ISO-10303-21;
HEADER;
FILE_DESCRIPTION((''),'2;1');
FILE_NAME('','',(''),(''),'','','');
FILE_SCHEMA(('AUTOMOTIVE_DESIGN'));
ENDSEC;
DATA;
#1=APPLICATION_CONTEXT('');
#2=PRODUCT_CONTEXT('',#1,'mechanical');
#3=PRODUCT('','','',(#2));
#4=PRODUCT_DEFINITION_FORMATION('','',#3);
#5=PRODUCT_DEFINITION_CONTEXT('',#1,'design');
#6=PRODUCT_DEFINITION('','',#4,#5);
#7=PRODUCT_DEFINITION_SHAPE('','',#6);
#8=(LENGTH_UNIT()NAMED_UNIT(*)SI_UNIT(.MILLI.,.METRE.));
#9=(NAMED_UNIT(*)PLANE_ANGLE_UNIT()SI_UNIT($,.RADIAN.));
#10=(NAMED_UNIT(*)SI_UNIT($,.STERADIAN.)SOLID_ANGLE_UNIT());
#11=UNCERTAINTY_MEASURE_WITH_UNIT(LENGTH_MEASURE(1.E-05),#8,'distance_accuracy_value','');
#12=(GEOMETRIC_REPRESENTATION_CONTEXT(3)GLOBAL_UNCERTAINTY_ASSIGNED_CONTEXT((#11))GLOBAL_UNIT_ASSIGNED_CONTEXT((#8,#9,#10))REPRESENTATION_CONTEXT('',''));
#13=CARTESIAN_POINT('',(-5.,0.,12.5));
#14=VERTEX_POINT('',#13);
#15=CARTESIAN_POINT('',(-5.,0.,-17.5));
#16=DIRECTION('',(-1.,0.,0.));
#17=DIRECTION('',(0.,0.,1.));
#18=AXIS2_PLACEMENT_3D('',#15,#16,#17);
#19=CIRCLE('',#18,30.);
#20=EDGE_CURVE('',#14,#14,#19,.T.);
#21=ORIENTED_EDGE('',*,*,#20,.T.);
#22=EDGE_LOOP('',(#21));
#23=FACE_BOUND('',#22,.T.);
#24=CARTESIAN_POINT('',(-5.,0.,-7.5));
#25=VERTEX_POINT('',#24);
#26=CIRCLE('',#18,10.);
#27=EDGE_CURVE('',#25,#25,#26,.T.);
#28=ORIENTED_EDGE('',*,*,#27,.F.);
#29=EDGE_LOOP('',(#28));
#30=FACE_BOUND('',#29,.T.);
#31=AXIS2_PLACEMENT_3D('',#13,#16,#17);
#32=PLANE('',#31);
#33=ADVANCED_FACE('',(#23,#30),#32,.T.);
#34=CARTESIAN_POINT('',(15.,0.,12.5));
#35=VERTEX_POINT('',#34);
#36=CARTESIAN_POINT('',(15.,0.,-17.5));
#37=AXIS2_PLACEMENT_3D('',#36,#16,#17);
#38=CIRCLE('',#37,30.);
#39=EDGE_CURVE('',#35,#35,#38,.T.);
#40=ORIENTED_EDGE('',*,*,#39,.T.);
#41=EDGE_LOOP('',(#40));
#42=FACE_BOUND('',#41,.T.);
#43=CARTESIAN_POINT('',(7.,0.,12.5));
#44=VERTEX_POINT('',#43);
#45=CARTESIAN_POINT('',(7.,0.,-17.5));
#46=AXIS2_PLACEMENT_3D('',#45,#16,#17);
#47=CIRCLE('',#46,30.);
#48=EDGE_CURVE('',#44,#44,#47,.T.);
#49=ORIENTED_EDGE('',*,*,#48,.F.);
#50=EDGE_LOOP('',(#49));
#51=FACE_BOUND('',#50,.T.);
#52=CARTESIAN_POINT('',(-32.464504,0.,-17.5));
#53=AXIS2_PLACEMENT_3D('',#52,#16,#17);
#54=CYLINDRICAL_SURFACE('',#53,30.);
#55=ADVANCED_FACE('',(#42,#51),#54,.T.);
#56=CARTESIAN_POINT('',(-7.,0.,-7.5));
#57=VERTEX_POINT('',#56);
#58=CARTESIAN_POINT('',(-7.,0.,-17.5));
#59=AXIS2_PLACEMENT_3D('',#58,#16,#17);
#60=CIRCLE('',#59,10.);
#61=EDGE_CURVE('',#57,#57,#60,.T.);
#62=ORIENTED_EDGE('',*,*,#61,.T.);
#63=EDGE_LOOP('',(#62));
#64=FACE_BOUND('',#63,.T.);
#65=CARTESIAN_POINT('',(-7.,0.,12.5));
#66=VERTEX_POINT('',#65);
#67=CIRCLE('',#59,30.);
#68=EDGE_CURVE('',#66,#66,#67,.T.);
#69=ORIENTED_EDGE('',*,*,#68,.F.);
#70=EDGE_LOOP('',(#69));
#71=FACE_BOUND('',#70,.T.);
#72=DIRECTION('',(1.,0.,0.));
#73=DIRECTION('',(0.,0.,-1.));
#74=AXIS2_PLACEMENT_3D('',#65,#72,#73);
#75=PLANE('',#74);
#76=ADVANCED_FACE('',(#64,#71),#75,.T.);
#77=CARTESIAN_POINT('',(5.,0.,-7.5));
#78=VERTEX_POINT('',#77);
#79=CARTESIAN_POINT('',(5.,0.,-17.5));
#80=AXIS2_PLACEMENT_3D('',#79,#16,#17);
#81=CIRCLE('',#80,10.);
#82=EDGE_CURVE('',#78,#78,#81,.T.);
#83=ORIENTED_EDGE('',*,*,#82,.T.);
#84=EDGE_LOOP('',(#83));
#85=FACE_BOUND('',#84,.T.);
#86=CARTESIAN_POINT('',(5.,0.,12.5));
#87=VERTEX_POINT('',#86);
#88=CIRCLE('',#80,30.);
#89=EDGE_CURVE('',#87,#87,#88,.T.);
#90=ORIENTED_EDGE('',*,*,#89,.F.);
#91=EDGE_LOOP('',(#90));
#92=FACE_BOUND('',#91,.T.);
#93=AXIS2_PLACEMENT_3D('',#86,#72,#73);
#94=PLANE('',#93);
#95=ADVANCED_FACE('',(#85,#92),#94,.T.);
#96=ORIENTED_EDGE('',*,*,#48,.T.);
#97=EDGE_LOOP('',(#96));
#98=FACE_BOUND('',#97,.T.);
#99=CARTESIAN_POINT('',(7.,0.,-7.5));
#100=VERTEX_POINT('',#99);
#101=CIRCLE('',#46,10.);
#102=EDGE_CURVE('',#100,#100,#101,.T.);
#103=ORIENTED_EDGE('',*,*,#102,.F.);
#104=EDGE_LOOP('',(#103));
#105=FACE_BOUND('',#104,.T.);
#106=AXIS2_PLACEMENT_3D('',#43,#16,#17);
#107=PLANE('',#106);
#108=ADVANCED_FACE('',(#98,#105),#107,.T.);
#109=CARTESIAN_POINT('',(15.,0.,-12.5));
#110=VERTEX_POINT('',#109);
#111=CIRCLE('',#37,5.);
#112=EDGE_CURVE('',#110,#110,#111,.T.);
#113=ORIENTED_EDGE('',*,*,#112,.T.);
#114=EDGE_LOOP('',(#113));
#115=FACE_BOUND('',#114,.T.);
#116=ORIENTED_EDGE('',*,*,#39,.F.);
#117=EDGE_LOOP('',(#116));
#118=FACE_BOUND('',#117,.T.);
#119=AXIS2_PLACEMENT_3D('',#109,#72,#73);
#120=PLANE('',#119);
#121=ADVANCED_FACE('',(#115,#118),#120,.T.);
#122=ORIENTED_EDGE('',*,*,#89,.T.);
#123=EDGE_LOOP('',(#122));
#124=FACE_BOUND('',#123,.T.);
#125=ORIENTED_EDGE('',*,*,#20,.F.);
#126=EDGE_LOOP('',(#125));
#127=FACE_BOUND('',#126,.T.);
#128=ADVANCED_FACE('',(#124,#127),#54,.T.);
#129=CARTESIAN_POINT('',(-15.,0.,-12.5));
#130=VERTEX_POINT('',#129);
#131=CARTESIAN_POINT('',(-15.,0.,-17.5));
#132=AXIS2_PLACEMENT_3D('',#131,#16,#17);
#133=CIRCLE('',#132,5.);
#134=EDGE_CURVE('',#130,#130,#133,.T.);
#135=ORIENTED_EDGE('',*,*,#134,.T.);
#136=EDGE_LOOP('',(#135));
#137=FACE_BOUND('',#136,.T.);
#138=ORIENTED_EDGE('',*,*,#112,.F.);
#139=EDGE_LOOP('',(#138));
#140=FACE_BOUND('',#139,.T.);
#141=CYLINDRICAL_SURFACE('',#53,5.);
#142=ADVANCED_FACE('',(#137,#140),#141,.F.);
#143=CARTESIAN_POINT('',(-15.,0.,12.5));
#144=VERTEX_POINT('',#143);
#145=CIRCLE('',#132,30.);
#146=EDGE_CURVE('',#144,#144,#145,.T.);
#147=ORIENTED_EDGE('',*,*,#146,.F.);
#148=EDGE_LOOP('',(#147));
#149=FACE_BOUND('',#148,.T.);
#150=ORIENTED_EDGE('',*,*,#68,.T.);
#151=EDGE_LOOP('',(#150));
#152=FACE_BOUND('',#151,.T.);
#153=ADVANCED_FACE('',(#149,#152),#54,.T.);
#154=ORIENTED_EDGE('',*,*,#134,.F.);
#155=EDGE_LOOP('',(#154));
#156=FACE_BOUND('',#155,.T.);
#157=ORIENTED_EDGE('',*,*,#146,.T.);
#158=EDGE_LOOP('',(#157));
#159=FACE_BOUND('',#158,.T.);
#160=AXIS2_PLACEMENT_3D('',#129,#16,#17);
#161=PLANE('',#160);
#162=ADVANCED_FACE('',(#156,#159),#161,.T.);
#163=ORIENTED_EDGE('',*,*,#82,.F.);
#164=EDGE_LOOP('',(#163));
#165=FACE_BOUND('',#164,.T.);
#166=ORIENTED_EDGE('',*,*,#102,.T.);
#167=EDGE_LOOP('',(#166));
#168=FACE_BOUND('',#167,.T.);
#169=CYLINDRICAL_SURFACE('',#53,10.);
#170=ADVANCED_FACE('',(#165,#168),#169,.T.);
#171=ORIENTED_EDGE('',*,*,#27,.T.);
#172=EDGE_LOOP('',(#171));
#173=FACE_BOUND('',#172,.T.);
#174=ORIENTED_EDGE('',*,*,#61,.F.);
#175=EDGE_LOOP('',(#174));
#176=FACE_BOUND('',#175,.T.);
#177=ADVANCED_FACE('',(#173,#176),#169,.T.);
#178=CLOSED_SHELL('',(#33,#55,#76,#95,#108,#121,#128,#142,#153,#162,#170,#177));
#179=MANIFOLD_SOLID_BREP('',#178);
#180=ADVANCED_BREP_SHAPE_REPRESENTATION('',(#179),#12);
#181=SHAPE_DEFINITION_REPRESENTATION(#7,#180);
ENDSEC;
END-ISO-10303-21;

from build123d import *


with BuildPart() as part:
    # Sketch1 → Revolve1 (revolve)
    with BuildSketch(Plane(origin=(0, 0, 0), x_dir=(1, 0, 0), z_dir=(0, 1, 0))):
        Polygon((-5, -12.5), (5, -12.5), (5, 7.5), (7, 7.5), (7, -12.5), (15, -12.5), (15, 12.5), (-15, 12.5), (-15, -12.5), (-7, -12.5), (-7, 7.5), (-5, 7.5), align=None)
    revolve(axis=Axis((-32.464503697, 0, -17.5), (1, 0, 0)))


solid = part.part
